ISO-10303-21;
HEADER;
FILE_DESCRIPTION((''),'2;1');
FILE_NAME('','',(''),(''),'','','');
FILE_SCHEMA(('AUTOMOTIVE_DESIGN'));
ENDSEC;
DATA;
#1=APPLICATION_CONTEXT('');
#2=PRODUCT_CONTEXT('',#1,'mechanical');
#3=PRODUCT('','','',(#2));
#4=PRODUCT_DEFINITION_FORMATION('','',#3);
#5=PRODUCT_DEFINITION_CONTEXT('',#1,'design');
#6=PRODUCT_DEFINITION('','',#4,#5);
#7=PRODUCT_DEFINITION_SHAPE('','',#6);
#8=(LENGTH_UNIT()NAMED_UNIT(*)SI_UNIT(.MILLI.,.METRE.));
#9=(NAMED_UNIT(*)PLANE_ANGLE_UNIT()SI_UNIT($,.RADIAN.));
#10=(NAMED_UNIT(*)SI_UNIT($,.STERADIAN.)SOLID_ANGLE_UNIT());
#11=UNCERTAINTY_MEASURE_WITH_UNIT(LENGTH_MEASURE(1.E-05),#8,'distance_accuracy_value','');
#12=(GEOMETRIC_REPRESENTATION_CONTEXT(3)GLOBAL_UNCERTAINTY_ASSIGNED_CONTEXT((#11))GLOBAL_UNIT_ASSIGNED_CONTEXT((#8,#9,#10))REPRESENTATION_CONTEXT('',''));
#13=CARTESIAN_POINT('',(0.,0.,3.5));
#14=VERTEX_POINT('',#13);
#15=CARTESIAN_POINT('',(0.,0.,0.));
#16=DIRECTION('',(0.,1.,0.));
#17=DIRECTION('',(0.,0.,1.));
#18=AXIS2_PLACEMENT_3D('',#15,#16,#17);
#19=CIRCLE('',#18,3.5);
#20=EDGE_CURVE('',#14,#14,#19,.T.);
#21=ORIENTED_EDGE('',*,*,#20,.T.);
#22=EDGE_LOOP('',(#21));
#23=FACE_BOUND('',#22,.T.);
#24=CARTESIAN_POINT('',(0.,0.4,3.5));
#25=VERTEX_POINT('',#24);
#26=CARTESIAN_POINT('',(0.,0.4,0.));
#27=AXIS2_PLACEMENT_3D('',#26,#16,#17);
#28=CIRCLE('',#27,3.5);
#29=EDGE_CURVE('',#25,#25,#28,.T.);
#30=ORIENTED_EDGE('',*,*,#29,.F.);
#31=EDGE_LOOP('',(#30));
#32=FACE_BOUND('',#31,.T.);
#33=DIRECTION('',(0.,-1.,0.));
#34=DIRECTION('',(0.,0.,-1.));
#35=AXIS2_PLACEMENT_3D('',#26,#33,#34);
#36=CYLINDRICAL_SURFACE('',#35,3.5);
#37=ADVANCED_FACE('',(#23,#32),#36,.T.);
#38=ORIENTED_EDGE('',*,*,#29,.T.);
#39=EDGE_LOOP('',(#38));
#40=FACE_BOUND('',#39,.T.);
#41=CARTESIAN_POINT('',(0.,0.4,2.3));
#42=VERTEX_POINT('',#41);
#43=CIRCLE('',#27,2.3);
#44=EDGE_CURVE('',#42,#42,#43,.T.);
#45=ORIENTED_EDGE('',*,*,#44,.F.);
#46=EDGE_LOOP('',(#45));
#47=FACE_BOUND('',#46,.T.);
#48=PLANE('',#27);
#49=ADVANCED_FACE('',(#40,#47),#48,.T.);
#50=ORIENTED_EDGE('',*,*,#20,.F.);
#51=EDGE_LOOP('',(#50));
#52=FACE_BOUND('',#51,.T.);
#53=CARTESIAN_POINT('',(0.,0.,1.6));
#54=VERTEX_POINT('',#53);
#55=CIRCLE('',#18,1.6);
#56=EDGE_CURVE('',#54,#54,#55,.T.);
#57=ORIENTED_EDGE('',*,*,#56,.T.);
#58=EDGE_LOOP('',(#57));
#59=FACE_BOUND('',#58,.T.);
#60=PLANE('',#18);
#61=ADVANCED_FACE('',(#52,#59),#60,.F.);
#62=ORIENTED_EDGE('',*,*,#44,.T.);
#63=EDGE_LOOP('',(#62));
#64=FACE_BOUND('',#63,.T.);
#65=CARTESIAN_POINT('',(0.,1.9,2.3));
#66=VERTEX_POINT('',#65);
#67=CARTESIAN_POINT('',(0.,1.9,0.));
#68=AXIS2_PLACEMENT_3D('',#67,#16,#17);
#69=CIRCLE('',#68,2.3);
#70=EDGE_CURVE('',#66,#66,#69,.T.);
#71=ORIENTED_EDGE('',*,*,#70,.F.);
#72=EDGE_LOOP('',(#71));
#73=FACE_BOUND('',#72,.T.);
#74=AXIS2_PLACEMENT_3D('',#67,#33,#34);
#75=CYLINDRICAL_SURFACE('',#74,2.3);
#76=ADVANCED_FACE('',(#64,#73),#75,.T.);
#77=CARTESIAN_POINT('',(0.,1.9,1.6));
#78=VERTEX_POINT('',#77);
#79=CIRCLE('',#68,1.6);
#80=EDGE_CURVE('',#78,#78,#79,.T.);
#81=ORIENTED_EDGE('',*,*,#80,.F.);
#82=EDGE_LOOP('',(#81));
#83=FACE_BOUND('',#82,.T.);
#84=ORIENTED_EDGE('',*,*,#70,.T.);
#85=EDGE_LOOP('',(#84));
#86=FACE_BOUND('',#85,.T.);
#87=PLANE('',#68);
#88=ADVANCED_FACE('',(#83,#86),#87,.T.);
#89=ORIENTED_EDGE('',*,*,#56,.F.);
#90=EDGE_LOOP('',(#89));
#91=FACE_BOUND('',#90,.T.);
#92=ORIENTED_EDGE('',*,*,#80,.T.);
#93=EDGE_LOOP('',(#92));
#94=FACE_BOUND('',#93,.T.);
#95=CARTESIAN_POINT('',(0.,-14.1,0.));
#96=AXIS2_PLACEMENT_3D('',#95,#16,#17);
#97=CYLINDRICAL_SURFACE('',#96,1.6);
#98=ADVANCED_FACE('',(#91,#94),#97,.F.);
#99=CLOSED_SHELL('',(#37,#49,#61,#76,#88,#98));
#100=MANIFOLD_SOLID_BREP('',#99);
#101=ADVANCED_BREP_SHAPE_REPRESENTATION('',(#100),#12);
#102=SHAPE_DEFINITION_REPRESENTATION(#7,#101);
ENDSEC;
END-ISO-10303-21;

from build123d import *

# Parameters (mm, degrees)
SKETCH1_R           = 3.5
BOSS_EXTRUDE1_DEPTH = 0.4
SKETCH2_R           = 2.3
BOSS_EXTRUDE2_DEPTH = 1.5
SKETCH3_R           = 1.6
CUT_EXTRUDE1_DEPTH  = 16


with BuildPart() as part:
    # Sketch1 → Boss-Extrude1 (new body)
    with BuildSketch(Plane(origin=(0, 0, 0), x_dir=(1, 0, 0), z_dir=(0, 1, 0))):
        Circle(SKETCH1_R)
    extrude(amount=BOSS_EXTRUDE1_DEPTH)

    # Sketch2 → Boss-Extrude2 (add)
    with BuildSketch(Plane(origin=(0, 0.4, 0), x_dir=(1, 0, 0), z_dir=(0, 1, 0))):
        Circle(SKETCH2_R)
    extrude(amount=BOSS_EXTRUDE2_DEPTH)

    # Sketch3 → Cut-Extrude1 (cut)
    with BuildSketch(Plane(origin=(0, 1.9, 0), x_dir=(1, 0, 0), z_dir=(0, 1, 0))):
        Circle(SKETCH3_R)
    extrude(amount=-CUT_EXTRUDE1_DEPTH, mode=Mode.SUBTRACT)


solid = part.part
